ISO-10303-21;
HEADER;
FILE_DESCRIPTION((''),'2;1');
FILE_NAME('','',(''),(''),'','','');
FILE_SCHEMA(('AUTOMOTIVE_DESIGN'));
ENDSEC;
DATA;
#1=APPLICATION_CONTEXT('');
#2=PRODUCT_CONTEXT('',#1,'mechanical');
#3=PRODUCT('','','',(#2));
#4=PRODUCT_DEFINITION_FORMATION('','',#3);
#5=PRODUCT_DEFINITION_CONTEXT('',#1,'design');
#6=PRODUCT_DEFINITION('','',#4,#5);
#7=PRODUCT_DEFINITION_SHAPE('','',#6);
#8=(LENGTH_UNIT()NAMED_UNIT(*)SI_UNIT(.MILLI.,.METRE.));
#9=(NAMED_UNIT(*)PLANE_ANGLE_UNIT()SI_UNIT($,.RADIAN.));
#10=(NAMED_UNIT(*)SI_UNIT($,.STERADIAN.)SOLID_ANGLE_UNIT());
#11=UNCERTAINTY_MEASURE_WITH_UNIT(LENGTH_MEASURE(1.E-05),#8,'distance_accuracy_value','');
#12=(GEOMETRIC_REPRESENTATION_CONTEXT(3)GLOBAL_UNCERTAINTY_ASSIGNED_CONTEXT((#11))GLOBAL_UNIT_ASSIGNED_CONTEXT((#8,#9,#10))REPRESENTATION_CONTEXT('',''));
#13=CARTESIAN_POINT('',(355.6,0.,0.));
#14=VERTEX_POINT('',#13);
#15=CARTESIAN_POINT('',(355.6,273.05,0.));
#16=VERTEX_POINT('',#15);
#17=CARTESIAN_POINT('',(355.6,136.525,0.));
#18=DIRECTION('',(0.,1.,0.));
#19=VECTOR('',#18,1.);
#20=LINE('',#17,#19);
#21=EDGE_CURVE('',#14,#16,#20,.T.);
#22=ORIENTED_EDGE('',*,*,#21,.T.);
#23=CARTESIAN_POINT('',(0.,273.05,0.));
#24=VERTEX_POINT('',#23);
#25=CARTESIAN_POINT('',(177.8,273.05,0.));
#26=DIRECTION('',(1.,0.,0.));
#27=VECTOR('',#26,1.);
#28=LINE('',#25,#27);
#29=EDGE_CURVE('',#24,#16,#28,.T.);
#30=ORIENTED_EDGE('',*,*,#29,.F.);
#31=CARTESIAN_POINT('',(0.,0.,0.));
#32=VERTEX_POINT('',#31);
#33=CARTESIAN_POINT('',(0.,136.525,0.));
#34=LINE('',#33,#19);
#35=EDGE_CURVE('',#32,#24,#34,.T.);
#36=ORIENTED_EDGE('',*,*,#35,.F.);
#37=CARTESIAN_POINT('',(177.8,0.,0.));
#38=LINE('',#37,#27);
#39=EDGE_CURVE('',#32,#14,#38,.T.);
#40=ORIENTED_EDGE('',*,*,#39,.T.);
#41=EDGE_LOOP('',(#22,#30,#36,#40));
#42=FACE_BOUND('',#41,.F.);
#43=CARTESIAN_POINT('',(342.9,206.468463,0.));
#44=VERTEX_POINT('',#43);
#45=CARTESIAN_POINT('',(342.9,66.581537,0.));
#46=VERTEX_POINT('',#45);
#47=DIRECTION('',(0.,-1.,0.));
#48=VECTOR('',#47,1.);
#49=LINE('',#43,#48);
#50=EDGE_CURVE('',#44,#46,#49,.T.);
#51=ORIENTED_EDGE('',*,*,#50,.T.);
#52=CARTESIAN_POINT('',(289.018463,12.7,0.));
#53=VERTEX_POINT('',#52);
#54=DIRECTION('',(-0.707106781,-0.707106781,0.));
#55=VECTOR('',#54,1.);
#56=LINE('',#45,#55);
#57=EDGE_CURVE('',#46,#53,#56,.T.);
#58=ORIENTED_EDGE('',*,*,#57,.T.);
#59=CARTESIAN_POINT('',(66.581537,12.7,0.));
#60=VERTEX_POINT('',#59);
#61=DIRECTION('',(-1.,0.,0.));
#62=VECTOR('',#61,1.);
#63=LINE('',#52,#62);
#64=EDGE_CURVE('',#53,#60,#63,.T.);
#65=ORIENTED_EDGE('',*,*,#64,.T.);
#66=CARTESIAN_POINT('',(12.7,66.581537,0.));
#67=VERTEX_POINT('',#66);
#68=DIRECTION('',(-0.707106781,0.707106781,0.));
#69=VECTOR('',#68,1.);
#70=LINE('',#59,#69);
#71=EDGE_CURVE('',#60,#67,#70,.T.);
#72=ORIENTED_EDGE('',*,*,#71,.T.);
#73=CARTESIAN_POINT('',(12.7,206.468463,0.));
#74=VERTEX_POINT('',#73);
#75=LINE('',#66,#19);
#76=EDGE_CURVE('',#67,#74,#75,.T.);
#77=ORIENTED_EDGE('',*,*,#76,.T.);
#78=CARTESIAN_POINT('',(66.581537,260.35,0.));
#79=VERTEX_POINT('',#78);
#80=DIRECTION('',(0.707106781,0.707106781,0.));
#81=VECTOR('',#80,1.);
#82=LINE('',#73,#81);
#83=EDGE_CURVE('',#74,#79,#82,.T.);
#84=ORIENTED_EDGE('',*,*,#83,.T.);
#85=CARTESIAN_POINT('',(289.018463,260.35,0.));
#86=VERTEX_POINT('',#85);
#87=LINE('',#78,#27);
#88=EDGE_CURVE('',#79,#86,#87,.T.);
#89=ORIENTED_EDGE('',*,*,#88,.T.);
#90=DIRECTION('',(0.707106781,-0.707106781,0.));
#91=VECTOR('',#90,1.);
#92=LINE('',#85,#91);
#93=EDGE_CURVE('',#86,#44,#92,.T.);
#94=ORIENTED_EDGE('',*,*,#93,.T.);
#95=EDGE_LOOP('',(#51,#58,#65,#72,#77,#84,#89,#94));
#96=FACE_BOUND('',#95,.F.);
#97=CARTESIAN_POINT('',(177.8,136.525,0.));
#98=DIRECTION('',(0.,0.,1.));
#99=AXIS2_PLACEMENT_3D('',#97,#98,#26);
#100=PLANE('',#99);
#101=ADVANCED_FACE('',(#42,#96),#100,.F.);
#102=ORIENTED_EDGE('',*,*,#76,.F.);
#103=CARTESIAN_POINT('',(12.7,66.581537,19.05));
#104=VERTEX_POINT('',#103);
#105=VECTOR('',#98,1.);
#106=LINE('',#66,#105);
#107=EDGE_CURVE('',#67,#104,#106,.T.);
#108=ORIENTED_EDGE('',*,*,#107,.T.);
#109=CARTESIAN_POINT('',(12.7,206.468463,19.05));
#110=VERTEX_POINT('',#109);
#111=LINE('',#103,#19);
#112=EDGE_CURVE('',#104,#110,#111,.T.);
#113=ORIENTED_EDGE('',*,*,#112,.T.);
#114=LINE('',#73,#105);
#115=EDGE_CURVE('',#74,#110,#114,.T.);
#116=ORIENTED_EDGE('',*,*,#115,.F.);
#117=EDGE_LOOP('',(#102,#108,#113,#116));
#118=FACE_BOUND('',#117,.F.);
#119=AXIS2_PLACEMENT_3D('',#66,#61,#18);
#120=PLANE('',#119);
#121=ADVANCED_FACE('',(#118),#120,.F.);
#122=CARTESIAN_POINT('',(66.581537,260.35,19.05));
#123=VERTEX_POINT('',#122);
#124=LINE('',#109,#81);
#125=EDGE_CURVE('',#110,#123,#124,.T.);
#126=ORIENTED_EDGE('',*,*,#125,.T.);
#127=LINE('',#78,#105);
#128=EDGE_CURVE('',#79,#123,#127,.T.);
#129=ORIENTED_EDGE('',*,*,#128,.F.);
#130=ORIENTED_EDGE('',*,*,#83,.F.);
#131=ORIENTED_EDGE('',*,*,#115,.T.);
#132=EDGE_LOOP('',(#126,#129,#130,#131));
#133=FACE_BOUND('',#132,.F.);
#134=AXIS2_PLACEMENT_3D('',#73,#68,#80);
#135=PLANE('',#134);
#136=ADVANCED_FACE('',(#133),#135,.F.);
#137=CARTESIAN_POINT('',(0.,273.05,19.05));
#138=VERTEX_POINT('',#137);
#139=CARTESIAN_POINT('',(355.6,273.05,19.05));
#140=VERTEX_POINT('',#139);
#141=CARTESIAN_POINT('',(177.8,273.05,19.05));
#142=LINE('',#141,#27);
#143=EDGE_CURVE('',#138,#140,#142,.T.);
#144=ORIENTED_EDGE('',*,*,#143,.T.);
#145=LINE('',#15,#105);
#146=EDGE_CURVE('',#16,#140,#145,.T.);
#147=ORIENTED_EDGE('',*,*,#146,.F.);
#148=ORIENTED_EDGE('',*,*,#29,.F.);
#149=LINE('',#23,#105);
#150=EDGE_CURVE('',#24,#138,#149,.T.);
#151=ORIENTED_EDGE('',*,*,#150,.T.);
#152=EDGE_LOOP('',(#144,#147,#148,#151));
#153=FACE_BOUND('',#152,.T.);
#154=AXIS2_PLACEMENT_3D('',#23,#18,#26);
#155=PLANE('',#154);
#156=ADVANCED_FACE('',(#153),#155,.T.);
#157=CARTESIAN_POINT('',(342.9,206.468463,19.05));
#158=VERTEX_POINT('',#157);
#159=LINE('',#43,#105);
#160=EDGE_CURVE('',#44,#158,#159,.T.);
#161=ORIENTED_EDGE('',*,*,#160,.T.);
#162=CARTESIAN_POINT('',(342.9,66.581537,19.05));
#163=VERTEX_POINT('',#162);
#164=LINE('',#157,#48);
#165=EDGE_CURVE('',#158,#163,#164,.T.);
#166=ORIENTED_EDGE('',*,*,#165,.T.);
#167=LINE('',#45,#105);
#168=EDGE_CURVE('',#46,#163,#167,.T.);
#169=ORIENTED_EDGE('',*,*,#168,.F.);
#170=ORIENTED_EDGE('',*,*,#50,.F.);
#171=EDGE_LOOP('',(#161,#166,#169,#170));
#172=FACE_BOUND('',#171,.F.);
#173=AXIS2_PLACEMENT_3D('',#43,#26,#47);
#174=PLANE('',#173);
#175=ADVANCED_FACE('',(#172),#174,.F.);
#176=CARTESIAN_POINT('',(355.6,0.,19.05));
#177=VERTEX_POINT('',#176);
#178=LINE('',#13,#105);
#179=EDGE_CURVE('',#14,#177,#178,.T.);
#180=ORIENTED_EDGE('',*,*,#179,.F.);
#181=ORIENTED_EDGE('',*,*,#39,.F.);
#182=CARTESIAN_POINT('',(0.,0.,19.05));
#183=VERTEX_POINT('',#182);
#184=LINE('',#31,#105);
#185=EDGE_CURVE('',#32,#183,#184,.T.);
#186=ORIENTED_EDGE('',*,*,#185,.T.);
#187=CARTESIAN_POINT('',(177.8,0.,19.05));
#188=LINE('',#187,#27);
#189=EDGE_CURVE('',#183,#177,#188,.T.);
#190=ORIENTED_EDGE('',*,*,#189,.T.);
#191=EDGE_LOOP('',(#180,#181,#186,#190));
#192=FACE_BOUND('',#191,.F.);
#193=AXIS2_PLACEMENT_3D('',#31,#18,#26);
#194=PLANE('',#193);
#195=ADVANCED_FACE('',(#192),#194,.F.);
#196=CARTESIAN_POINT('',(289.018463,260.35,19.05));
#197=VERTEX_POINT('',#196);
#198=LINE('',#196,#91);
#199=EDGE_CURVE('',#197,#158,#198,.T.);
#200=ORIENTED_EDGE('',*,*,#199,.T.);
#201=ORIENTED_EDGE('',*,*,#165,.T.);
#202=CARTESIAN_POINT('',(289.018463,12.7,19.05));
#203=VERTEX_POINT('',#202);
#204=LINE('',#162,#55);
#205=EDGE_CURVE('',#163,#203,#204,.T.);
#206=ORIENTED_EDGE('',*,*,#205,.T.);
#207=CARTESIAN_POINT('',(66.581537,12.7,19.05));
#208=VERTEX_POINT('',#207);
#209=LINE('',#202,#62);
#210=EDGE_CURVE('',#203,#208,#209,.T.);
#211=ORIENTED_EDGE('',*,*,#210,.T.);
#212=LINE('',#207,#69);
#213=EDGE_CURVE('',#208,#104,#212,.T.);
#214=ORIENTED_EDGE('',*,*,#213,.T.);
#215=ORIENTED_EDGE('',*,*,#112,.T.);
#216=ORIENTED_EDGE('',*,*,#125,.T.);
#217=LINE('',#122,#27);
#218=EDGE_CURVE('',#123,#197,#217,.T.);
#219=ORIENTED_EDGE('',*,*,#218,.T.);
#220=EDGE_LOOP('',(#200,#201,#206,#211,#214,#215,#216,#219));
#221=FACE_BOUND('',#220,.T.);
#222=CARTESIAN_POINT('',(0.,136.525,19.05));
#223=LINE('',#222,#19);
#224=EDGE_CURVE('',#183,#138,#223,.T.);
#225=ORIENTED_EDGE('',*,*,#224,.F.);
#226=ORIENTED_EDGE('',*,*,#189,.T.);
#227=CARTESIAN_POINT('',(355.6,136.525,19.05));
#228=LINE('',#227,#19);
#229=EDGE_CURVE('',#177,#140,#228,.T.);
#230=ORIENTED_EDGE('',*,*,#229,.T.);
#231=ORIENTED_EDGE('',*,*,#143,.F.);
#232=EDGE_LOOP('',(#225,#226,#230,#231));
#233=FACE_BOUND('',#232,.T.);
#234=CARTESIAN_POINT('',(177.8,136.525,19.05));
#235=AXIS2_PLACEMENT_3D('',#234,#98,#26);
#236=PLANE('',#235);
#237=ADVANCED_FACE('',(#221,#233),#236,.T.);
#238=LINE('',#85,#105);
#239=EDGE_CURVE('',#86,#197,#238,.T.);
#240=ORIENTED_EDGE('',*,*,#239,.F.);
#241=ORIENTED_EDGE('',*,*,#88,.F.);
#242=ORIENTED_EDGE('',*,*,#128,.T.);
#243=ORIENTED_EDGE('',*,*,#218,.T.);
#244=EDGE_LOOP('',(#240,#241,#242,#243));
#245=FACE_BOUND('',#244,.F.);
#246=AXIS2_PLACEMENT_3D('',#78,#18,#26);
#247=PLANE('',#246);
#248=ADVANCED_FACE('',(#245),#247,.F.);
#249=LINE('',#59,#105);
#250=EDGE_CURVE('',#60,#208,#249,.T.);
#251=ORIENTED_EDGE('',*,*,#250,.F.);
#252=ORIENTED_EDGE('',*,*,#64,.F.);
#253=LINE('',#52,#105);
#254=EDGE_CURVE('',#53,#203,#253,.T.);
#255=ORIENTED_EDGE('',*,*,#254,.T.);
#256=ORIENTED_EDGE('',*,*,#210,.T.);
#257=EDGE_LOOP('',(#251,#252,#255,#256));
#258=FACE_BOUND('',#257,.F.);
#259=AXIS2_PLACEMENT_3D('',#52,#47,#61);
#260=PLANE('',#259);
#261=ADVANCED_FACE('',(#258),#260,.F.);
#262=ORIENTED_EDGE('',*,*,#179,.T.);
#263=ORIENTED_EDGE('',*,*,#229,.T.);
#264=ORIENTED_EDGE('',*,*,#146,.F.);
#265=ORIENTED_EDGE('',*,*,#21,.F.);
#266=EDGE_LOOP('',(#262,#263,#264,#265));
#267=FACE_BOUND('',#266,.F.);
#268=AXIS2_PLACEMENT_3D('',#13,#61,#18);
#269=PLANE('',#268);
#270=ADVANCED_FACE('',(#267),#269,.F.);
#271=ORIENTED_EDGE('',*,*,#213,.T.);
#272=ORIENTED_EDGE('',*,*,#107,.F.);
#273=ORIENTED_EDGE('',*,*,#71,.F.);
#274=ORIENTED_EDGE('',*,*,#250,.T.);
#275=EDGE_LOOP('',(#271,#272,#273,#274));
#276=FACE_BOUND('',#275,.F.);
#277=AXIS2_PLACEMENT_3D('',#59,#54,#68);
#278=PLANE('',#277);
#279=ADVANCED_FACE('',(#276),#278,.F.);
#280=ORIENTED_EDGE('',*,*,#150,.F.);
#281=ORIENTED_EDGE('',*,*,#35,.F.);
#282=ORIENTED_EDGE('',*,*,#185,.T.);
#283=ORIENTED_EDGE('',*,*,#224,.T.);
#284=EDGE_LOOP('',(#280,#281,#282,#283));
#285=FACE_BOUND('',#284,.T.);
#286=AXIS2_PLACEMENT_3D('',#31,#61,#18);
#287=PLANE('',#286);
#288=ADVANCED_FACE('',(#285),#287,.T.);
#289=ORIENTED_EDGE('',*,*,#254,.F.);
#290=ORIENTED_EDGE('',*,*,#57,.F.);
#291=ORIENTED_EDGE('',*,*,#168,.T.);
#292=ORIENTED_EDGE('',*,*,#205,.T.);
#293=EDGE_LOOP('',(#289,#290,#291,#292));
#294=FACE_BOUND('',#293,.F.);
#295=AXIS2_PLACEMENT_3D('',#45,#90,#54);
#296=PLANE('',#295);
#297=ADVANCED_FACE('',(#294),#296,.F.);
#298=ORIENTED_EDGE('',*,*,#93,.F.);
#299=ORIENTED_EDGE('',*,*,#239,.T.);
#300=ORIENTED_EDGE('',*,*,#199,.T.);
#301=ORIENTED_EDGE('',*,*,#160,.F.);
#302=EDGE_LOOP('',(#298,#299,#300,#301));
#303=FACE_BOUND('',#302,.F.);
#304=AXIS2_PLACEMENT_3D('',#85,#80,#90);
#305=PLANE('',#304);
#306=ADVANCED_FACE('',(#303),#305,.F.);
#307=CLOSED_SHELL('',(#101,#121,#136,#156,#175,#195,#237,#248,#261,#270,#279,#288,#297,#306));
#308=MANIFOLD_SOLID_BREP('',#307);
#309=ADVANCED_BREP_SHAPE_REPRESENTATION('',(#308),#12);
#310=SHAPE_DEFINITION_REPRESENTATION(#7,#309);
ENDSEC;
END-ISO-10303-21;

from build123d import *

# Parameters (mm, degrees)
F0_W     = 355.6
F0_H     = 273.05
F1_DEPTH = 19.05


with BuildPart() as f1:
    # F0 (on Top) → F1 (new body)
    with BuildSketch(Plane.XY):
        with Locations((177.8, 136.525)):
            Rectangle(F0_W, F0_H)
        Polygon((12.7, 206.468463), (66.581537, 260.35), (289.018463, 260.35), (342.9, 206.468463), (342.9, 66.581537), (289.018463, 12.7), (66.581537, 12.7), (12.7, 66.581537), align=None, mode=Mode.SUBTRACT)
    extrude(amount=F1_DEPTH)


solid = f1.part
